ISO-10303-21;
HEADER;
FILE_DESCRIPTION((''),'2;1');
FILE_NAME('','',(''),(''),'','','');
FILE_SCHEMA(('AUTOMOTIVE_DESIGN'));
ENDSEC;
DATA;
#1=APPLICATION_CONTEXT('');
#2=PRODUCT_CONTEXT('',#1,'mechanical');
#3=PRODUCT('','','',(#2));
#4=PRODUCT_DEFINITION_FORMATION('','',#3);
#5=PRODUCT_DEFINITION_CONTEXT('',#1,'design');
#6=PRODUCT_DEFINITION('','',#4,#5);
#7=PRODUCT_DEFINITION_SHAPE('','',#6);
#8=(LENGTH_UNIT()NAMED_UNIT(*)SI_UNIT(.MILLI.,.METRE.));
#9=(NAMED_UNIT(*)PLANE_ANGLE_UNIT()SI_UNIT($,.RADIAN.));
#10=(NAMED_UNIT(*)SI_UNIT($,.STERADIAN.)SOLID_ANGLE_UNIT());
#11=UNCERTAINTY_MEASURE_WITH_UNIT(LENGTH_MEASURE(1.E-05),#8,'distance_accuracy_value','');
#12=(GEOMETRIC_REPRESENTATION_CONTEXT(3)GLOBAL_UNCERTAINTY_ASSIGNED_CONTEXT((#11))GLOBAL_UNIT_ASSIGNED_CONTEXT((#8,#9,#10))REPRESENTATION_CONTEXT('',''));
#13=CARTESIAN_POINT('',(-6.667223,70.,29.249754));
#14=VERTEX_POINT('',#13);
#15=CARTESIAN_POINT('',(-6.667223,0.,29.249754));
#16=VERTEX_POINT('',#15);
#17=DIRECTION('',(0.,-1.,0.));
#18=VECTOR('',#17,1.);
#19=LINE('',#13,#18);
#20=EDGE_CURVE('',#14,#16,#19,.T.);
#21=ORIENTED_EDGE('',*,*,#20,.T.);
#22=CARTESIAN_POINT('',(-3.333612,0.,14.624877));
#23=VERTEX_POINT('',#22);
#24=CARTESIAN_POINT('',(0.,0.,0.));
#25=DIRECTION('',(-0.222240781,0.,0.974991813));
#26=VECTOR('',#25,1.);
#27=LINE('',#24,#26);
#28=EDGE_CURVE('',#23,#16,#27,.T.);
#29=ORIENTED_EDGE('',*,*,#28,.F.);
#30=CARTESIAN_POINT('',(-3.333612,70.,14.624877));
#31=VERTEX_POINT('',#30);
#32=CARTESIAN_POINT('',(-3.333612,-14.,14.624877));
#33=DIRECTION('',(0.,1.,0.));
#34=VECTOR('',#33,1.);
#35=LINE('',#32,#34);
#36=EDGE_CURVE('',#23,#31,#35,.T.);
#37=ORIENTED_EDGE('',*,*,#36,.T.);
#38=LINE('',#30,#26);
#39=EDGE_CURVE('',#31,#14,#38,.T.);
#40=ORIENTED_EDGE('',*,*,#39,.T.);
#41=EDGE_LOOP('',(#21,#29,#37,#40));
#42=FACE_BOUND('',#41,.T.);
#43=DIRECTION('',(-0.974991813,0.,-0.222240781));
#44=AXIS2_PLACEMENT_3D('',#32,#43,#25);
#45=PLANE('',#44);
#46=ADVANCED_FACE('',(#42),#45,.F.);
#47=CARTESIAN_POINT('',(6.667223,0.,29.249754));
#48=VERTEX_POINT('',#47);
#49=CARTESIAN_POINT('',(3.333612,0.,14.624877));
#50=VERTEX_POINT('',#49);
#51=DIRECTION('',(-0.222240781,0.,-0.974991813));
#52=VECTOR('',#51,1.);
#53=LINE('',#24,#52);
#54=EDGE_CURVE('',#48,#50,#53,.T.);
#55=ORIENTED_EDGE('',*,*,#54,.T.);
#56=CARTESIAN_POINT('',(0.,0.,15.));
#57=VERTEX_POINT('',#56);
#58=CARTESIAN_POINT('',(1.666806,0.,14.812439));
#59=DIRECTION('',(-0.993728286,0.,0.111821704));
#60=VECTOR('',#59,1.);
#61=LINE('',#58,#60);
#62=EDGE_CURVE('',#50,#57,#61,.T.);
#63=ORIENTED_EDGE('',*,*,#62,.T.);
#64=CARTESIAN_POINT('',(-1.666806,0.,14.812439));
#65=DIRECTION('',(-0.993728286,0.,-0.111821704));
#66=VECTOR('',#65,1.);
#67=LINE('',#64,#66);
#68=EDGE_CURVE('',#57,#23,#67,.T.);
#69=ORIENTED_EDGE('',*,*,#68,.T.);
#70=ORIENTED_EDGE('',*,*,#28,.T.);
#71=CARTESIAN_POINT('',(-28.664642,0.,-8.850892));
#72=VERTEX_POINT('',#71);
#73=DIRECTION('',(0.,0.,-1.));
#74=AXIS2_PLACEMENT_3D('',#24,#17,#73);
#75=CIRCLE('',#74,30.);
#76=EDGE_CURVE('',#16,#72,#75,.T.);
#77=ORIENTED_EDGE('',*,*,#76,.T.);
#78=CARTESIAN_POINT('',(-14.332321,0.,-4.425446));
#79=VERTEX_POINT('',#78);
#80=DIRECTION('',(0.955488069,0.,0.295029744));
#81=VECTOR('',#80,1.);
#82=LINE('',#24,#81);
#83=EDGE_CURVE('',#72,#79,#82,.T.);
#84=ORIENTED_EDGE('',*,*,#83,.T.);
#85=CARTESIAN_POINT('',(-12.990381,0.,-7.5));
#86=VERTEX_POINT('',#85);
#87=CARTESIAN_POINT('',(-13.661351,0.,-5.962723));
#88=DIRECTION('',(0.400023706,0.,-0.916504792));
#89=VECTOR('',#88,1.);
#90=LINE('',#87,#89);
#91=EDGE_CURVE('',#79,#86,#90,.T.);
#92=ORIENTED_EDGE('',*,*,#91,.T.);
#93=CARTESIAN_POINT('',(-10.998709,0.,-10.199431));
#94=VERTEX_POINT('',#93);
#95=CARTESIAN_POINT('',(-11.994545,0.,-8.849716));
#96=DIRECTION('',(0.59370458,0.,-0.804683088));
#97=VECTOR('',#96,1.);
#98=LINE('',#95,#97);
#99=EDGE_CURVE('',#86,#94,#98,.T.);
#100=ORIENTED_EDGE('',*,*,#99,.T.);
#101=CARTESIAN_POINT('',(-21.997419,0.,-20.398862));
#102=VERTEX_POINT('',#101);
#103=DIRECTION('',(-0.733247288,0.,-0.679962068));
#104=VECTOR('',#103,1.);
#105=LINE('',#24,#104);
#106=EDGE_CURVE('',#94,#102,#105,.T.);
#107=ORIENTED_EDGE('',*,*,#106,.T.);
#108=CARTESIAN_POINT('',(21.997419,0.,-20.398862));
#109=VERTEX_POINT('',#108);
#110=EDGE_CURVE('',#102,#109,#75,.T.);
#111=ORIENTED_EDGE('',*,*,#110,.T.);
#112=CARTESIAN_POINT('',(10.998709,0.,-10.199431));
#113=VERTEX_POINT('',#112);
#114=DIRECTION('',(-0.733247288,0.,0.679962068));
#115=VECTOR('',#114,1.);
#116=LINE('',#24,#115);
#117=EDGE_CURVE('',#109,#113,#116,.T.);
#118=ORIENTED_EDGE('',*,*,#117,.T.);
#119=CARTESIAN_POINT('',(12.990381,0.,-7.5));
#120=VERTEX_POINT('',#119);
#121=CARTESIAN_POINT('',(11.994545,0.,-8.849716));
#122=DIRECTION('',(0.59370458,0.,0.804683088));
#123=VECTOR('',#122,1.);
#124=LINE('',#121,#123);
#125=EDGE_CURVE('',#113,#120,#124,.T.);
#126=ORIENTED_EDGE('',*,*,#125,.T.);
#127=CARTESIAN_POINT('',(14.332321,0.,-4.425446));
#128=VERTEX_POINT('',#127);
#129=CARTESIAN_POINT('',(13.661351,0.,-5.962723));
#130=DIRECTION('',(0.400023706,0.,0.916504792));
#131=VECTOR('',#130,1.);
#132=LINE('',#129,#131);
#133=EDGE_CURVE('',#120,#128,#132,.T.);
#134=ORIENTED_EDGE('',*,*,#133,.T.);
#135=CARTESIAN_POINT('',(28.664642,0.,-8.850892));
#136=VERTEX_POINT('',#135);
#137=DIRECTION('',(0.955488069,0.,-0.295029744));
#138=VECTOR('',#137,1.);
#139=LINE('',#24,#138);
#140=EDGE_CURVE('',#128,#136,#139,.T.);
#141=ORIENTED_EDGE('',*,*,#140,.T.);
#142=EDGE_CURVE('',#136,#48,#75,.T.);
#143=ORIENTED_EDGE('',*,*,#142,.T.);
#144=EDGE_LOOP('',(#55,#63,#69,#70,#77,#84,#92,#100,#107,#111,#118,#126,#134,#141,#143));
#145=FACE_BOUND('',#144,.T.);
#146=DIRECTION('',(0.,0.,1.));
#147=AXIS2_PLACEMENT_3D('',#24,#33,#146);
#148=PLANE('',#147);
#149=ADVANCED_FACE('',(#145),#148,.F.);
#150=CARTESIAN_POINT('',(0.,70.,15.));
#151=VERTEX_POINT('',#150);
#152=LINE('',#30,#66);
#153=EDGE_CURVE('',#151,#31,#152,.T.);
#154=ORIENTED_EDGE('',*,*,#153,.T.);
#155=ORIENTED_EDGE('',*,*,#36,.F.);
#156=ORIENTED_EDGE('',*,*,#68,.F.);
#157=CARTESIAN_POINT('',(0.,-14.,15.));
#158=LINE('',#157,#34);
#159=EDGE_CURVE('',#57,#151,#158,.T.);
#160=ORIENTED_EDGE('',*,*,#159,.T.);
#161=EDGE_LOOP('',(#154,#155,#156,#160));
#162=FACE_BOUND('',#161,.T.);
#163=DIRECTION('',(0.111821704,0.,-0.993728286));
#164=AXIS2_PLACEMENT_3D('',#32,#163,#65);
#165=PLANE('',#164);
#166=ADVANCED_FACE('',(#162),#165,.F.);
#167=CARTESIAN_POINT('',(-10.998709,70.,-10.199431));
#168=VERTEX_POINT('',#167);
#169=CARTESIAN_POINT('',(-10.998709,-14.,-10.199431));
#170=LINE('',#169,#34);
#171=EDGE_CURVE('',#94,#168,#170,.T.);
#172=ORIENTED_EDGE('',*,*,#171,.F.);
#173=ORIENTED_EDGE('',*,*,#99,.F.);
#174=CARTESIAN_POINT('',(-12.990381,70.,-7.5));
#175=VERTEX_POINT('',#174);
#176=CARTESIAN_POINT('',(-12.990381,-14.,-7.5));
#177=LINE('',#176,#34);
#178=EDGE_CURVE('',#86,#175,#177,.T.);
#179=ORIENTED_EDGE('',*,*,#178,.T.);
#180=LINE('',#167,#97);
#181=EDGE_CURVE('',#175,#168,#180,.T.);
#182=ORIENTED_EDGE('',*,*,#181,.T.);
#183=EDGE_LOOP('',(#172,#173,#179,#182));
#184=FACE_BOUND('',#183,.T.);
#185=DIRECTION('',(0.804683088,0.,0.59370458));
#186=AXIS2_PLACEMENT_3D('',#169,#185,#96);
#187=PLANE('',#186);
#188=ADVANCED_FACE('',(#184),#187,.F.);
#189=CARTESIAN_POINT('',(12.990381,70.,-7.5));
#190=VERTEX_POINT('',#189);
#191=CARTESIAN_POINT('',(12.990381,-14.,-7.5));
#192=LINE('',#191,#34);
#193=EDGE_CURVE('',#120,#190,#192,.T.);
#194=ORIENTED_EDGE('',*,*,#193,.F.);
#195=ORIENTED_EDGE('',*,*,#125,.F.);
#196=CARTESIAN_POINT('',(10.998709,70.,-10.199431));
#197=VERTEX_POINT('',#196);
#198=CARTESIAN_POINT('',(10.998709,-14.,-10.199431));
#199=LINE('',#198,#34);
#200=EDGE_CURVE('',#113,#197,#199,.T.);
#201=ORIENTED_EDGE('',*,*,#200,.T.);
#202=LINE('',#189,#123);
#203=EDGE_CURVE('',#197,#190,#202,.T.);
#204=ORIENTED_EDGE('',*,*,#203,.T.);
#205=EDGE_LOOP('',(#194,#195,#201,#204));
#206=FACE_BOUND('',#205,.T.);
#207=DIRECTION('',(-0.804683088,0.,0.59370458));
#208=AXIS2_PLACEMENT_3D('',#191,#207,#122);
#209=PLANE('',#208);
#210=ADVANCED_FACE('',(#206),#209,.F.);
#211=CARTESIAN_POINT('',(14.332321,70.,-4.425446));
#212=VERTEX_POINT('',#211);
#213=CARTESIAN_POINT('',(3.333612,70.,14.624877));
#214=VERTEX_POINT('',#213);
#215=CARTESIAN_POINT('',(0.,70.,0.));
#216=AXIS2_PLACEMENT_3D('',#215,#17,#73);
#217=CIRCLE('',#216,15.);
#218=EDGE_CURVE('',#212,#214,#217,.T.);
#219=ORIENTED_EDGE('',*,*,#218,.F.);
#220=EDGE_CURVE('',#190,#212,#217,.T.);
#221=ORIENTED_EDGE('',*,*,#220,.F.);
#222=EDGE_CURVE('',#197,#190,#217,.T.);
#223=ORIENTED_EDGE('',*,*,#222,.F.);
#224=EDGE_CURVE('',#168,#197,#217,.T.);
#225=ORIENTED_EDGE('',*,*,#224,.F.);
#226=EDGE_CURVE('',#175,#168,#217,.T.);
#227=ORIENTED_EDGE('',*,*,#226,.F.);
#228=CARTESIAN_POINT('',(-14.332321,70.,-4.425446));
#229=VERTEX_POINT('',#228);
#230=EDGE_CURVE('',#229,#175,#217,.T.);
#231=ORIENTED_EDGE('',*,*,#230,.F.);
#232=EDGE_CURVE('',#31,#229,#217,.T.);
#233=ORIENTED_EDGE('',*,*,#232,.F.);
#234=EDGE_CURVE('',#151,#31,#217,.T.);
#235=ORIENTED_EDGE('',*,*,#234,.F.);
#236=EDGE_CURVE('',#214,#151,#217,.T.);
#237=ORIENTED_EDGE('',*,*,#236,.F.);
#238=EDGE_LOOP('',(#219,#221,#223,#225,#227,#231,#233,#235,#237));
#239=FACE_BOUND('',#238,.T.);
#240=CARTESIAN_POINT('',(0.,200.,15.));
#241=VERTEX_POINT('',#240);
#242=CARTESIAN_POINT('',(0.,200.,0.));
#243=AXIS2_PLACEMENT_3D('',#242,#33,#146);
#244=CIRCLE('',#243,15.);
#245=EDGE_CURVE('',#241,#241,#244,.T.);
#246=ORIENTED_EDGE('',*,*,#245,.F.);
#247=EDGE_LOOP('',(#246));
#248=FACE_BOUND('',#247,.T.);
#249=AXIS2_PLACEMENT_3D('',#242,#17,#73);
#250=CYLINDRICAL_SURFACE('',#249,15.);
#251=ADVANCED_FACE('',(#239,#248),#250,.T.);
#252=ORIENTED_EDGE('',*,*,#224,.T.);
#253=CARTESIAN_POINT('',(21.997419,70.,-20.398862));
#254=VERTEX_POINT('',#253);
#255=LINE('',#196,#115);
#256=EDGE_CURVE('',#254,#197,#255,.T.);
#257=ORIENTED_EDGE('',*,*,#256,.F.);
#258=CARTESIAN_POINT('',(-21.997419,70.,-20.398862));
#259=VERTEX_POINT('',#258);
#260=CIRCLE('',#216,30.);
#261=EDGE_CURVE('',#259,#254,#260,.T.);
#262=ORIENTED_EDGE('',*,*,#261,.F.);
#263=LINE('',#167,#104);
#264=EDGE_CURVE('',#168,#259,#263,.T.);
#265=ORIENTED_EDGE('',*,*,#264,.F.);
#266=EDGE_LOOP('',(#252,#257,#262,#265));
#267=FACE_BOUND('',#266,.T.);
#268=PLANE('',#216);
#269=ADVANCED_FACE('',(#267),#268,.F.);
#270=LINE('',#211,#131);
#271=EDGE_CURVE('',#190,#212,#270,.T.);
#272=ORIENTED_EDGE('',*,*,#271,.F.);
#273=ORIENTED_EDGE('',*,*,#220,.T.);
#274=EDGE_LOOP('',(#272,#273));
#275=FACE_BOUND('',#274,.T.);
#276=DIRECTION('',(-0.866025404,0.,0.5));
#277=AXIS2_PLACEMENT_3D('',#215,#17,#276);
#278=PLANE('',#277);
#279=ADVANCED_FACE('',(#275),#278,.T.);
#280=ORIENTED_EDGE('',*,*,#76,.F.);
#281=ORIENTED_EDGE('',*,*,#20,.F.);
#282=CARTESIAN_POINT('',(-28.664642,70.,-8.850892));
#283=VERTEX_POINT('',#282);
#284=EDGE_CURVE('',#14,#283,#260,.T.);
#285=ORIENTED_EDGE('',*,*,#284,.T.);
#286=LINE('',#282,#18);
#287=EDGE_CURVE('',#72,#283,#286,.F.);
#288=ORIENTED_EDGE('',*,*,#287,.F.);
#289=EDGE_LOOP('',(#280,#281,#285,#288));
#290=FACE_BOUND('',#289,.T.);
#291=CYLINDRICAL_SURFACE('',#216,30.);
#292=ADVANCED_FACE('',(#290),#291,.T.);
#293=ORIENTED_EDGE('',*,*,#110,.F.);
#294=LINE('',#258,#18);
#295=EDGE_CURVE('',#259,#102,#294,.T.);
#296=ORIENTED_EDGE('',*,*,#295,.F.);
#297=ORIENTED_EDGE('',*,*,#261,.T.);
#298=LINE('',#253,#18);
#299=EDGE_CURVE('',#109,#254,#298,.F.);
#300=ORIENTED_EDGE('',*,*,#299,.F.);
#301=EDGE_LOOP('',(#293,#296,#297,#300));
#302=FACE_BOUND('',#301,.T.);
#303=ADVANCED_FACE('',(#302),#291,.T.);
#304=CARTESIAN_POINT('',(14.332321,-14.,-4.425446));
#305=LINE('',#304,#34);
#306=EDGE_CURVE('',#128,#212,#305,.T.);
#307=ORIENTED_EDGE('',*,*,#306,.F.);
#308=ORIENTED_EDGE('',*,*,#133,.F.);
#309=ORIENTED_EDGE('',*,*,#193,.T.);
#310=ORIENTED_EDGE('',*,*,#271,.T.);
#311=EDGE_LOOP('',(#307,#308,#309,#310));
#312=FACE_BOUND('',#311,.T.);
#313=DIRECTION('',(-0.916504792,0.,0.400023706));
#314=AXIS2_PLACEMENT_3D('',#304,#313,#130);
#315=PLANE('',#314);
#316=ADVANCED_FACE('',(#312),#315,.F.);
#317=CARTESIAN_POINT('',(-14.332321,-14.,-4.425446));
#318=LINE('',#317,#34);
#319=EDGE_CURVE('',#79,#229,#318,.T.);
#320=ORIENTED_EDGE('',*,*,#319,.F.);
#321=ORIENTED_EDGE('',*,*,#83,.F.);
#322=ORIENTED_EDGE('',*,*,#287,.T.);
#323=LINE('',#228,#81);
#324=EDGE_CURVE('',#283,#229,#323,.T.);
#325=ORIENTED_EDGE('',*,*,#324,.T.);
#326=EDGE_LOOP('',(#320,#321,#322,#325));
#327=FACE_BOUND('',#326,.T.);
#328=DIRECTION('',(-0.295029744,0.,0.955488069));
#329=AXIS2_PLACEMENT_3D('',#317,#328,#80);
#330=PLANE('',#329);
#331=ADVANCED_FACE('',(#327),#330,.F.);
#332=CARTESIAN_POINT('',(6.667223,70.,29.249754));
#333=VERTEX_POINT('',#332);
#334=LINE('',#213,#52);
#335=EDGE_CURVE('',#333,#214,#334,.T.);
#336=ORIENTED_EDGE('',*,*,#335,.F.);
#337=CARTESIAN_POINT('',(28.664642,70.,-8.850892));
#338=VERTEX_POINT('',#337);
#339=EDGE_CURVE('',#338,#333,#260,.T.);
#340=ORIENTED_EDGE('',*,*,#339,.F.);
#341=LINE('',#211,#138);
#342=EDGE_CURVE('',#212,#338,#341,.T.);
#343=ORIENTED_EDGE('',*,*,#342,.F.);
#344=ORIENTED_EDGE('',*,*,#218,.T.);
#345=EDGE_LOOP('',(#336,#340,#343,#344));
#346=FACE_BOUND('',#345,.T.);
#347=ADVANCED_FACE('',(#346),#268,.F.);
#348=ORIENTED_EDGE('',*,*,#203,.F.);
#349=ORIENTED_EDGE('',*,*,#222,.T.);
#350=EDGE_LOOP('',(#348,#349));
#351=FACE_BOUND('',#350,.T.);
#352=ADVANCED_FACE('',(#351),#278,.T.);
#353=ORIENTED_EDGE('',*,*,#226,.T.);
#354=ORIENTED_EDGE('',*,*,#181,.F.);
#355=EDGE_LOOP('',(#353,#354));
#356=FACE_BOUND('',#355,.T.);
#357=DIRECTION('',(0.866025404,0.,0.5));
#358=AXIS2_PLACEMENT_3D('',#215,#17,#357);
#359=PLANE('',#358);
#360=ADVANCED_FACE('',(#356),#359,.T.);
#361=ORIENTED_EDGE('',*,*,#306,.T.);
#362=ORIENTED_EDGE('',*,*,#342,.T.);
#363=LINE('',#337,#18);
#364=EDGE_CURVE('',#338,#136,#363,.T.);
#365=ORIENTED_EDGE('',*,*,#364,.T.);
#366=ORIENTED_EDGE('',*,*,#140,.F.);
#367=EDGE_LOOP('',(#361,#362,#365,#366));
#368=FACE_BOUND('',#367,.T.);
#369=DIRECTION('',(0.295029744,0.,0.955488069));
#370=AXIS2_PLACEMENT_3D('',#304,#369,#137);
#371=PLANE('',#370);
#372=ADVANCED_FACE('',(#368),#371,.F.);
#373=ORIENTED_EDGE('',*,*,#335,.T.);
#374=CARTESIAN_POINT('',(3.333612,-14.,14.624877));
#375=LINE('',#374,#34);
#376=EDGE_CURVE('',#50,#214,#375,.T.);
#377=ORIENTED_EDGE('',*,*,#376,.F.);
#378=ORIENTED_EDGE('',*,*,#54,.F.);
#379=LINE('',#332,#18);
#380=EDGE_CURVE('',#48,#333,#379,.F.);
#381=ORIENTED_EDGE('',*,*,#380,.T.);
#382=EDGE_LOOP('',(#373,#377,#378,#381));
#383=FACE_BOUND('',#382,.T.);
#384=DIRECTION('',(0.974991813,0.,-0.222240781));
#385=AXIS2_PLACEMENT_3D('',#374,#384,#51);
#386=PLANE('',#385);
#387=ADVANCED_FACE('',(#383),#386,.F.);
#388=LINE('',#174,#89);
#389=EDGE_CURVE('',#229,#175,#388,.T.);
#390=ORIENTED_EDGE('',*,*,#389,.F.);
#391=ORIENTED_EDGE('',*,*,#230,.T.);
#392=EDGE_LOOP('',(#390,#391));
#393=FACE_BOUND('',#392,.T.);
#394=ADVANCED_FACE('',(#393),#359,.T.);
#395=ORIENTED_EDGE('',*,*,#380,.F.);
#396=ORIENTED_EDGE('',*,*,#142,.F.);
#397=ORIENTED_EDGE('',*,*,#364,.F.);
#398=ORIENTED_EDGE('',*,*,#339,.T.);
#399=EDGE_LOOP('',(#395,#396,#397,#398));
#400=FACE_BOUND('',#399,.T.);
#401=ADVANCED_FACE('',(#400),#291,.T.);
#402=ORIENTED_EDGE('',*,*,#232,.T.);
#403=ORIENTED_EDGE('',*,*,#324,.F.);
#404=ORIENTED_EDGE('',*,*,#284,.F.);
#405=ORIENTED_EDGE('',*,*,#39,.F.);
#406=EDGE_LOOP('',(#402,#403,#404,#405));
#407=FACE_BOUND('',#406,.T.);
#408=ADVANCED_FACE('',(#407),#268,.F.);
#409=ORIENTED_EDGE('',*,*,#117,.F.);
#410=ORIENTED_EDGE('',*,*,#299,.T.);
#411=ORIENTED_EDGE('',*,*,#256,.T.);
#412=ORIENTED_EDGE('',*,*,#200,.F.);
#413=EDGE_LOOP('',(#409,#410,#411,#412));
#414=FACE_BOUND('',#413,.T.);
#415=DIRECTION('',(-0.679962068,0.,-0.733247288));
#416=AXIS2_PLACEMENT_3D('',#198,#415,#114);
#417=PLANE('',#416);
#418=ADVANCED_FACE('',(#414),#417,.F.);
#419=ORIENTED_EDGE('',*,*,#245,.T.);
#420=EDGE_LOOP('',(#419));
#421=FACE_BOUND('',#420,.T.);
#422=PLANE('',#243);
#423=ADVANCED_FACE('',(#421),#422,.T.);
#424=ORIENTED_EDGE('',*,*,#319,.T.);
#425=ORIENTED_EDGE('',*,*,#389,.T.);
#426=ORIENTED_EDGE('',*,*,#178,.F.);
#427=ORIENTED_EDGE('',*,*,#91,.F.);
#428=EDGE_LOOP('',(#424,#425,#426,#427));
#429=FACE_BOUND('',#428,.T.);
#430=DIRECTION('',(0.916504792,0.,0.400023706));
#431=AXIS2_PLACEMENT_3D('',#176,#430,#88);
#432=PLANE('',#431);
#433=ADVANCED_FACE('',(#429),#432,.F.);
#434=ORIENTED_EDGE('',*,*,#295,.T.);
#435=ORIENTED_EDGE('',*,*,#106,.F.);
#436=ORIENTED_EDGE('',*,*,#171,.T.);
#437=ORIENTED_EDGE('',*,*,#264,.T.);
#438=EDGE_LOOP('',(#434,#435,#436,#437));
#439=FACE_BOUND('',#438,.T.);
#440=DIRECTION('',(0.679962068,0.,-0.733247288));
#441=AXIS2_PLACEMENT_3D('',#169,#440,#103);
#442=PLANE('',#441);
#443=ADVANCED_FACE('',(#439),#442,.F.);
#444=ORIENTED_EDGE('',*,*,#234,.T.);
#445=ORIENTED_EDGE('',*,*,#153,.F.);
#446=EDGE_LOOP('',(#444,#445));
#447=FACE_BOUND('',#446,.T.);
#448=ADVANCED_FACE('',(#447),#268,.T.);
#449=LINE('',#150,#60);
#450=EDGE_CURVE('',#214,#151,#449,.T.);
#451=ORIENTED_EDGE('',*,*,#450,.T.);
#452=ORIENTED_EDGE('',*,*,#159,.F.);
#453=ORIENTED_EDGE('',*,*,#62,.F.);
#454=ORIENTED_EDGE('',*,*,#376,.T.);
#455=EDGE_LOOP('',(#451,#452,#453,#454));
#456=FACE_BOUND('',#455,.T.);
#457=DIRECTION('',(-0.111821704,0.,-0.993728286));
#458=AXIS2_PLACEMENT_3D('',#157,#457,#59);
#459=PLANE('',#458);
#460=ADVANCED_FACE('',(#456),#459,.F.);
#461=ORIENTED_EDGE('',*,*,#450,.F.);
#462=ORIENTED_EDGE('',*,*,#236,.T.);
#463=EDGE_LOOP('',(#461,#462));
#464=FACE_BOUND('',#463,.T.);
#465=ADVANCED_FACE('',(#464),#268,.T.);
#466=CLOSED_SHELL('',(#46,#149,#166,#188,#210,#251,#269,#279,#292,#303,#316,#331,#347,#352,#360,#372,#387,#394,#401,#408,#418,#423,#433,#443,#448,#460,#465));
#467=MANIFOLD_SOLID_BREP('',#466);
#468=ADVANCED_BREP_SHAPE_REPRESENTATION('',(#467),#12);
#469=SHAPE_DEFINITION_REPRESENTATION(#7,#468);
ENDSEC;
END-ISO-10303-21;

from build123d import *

# Parameters (mm, degrees)
SKETCH1_R           = 15
BOSS_EXTRUDE1_DEPTH = 200
SKETCH2_R           = 30
SKETCH2_R_2         = 15
BOSS_EXTRUDE2_DEPTH = 70
CUT_EXTRUDE1_DEPTH  = 84
CIRPATTERN2_COUNT   = 3


with BuildPart() as part:
    # Sketch1 → Boss-Extrude1 (new body)
    with BuildSketch(Plane(origin=(0, 0, 0), x_dir=(1, 0, 0), z_dir=(0, 1, 0))):
        Circle(SKETCH1_R)
    extrude(amount=BOSS_EXTRUDE1_DEPTH)

    # Sketch2 → Boss-Extrude2 (add)
    with BuildSketch(Plane.XZ):
        Circle(SKETCH2_R)
        Circle(SKETCH2_R_2, mode=Mode.SUBTRACT)
    extrude(amount=-BOSS_EXTRUDE2_DEPTH)

    # Sketch3 → Cut-Extrude1 (cut)
    with BuildSketch(Plane(origin=(0, 70, 0), x_dir=(1, 0, 0), z_dir=(0, 1, 0))):
        Polygon((-3.333611713, -14.624877194), (-7.415359219, -32.531898508), (7.415359219, -32.531898508), (3.333611713, -14.624877194), (0, -15), align=None)
    cut_extrude1 = extrude(amount=-CUT_EXTRUDE1_DEPTH, mode=Mode.SUBTRACT)

    # CirPattern2: Cut-Extrude1 ×3 about axis
    cirpattern2_axis = Axis((0, 0, 0), (0, 1, 0))
    for i in range(1, CIRPATTERN2_COUNT):
        add(cut_extrude1.rotate(cirpattern2_axis, i * 360 / CIRPATTERN2_COUNT), mode=Mode.SUBTRACT)


solid = part.part
